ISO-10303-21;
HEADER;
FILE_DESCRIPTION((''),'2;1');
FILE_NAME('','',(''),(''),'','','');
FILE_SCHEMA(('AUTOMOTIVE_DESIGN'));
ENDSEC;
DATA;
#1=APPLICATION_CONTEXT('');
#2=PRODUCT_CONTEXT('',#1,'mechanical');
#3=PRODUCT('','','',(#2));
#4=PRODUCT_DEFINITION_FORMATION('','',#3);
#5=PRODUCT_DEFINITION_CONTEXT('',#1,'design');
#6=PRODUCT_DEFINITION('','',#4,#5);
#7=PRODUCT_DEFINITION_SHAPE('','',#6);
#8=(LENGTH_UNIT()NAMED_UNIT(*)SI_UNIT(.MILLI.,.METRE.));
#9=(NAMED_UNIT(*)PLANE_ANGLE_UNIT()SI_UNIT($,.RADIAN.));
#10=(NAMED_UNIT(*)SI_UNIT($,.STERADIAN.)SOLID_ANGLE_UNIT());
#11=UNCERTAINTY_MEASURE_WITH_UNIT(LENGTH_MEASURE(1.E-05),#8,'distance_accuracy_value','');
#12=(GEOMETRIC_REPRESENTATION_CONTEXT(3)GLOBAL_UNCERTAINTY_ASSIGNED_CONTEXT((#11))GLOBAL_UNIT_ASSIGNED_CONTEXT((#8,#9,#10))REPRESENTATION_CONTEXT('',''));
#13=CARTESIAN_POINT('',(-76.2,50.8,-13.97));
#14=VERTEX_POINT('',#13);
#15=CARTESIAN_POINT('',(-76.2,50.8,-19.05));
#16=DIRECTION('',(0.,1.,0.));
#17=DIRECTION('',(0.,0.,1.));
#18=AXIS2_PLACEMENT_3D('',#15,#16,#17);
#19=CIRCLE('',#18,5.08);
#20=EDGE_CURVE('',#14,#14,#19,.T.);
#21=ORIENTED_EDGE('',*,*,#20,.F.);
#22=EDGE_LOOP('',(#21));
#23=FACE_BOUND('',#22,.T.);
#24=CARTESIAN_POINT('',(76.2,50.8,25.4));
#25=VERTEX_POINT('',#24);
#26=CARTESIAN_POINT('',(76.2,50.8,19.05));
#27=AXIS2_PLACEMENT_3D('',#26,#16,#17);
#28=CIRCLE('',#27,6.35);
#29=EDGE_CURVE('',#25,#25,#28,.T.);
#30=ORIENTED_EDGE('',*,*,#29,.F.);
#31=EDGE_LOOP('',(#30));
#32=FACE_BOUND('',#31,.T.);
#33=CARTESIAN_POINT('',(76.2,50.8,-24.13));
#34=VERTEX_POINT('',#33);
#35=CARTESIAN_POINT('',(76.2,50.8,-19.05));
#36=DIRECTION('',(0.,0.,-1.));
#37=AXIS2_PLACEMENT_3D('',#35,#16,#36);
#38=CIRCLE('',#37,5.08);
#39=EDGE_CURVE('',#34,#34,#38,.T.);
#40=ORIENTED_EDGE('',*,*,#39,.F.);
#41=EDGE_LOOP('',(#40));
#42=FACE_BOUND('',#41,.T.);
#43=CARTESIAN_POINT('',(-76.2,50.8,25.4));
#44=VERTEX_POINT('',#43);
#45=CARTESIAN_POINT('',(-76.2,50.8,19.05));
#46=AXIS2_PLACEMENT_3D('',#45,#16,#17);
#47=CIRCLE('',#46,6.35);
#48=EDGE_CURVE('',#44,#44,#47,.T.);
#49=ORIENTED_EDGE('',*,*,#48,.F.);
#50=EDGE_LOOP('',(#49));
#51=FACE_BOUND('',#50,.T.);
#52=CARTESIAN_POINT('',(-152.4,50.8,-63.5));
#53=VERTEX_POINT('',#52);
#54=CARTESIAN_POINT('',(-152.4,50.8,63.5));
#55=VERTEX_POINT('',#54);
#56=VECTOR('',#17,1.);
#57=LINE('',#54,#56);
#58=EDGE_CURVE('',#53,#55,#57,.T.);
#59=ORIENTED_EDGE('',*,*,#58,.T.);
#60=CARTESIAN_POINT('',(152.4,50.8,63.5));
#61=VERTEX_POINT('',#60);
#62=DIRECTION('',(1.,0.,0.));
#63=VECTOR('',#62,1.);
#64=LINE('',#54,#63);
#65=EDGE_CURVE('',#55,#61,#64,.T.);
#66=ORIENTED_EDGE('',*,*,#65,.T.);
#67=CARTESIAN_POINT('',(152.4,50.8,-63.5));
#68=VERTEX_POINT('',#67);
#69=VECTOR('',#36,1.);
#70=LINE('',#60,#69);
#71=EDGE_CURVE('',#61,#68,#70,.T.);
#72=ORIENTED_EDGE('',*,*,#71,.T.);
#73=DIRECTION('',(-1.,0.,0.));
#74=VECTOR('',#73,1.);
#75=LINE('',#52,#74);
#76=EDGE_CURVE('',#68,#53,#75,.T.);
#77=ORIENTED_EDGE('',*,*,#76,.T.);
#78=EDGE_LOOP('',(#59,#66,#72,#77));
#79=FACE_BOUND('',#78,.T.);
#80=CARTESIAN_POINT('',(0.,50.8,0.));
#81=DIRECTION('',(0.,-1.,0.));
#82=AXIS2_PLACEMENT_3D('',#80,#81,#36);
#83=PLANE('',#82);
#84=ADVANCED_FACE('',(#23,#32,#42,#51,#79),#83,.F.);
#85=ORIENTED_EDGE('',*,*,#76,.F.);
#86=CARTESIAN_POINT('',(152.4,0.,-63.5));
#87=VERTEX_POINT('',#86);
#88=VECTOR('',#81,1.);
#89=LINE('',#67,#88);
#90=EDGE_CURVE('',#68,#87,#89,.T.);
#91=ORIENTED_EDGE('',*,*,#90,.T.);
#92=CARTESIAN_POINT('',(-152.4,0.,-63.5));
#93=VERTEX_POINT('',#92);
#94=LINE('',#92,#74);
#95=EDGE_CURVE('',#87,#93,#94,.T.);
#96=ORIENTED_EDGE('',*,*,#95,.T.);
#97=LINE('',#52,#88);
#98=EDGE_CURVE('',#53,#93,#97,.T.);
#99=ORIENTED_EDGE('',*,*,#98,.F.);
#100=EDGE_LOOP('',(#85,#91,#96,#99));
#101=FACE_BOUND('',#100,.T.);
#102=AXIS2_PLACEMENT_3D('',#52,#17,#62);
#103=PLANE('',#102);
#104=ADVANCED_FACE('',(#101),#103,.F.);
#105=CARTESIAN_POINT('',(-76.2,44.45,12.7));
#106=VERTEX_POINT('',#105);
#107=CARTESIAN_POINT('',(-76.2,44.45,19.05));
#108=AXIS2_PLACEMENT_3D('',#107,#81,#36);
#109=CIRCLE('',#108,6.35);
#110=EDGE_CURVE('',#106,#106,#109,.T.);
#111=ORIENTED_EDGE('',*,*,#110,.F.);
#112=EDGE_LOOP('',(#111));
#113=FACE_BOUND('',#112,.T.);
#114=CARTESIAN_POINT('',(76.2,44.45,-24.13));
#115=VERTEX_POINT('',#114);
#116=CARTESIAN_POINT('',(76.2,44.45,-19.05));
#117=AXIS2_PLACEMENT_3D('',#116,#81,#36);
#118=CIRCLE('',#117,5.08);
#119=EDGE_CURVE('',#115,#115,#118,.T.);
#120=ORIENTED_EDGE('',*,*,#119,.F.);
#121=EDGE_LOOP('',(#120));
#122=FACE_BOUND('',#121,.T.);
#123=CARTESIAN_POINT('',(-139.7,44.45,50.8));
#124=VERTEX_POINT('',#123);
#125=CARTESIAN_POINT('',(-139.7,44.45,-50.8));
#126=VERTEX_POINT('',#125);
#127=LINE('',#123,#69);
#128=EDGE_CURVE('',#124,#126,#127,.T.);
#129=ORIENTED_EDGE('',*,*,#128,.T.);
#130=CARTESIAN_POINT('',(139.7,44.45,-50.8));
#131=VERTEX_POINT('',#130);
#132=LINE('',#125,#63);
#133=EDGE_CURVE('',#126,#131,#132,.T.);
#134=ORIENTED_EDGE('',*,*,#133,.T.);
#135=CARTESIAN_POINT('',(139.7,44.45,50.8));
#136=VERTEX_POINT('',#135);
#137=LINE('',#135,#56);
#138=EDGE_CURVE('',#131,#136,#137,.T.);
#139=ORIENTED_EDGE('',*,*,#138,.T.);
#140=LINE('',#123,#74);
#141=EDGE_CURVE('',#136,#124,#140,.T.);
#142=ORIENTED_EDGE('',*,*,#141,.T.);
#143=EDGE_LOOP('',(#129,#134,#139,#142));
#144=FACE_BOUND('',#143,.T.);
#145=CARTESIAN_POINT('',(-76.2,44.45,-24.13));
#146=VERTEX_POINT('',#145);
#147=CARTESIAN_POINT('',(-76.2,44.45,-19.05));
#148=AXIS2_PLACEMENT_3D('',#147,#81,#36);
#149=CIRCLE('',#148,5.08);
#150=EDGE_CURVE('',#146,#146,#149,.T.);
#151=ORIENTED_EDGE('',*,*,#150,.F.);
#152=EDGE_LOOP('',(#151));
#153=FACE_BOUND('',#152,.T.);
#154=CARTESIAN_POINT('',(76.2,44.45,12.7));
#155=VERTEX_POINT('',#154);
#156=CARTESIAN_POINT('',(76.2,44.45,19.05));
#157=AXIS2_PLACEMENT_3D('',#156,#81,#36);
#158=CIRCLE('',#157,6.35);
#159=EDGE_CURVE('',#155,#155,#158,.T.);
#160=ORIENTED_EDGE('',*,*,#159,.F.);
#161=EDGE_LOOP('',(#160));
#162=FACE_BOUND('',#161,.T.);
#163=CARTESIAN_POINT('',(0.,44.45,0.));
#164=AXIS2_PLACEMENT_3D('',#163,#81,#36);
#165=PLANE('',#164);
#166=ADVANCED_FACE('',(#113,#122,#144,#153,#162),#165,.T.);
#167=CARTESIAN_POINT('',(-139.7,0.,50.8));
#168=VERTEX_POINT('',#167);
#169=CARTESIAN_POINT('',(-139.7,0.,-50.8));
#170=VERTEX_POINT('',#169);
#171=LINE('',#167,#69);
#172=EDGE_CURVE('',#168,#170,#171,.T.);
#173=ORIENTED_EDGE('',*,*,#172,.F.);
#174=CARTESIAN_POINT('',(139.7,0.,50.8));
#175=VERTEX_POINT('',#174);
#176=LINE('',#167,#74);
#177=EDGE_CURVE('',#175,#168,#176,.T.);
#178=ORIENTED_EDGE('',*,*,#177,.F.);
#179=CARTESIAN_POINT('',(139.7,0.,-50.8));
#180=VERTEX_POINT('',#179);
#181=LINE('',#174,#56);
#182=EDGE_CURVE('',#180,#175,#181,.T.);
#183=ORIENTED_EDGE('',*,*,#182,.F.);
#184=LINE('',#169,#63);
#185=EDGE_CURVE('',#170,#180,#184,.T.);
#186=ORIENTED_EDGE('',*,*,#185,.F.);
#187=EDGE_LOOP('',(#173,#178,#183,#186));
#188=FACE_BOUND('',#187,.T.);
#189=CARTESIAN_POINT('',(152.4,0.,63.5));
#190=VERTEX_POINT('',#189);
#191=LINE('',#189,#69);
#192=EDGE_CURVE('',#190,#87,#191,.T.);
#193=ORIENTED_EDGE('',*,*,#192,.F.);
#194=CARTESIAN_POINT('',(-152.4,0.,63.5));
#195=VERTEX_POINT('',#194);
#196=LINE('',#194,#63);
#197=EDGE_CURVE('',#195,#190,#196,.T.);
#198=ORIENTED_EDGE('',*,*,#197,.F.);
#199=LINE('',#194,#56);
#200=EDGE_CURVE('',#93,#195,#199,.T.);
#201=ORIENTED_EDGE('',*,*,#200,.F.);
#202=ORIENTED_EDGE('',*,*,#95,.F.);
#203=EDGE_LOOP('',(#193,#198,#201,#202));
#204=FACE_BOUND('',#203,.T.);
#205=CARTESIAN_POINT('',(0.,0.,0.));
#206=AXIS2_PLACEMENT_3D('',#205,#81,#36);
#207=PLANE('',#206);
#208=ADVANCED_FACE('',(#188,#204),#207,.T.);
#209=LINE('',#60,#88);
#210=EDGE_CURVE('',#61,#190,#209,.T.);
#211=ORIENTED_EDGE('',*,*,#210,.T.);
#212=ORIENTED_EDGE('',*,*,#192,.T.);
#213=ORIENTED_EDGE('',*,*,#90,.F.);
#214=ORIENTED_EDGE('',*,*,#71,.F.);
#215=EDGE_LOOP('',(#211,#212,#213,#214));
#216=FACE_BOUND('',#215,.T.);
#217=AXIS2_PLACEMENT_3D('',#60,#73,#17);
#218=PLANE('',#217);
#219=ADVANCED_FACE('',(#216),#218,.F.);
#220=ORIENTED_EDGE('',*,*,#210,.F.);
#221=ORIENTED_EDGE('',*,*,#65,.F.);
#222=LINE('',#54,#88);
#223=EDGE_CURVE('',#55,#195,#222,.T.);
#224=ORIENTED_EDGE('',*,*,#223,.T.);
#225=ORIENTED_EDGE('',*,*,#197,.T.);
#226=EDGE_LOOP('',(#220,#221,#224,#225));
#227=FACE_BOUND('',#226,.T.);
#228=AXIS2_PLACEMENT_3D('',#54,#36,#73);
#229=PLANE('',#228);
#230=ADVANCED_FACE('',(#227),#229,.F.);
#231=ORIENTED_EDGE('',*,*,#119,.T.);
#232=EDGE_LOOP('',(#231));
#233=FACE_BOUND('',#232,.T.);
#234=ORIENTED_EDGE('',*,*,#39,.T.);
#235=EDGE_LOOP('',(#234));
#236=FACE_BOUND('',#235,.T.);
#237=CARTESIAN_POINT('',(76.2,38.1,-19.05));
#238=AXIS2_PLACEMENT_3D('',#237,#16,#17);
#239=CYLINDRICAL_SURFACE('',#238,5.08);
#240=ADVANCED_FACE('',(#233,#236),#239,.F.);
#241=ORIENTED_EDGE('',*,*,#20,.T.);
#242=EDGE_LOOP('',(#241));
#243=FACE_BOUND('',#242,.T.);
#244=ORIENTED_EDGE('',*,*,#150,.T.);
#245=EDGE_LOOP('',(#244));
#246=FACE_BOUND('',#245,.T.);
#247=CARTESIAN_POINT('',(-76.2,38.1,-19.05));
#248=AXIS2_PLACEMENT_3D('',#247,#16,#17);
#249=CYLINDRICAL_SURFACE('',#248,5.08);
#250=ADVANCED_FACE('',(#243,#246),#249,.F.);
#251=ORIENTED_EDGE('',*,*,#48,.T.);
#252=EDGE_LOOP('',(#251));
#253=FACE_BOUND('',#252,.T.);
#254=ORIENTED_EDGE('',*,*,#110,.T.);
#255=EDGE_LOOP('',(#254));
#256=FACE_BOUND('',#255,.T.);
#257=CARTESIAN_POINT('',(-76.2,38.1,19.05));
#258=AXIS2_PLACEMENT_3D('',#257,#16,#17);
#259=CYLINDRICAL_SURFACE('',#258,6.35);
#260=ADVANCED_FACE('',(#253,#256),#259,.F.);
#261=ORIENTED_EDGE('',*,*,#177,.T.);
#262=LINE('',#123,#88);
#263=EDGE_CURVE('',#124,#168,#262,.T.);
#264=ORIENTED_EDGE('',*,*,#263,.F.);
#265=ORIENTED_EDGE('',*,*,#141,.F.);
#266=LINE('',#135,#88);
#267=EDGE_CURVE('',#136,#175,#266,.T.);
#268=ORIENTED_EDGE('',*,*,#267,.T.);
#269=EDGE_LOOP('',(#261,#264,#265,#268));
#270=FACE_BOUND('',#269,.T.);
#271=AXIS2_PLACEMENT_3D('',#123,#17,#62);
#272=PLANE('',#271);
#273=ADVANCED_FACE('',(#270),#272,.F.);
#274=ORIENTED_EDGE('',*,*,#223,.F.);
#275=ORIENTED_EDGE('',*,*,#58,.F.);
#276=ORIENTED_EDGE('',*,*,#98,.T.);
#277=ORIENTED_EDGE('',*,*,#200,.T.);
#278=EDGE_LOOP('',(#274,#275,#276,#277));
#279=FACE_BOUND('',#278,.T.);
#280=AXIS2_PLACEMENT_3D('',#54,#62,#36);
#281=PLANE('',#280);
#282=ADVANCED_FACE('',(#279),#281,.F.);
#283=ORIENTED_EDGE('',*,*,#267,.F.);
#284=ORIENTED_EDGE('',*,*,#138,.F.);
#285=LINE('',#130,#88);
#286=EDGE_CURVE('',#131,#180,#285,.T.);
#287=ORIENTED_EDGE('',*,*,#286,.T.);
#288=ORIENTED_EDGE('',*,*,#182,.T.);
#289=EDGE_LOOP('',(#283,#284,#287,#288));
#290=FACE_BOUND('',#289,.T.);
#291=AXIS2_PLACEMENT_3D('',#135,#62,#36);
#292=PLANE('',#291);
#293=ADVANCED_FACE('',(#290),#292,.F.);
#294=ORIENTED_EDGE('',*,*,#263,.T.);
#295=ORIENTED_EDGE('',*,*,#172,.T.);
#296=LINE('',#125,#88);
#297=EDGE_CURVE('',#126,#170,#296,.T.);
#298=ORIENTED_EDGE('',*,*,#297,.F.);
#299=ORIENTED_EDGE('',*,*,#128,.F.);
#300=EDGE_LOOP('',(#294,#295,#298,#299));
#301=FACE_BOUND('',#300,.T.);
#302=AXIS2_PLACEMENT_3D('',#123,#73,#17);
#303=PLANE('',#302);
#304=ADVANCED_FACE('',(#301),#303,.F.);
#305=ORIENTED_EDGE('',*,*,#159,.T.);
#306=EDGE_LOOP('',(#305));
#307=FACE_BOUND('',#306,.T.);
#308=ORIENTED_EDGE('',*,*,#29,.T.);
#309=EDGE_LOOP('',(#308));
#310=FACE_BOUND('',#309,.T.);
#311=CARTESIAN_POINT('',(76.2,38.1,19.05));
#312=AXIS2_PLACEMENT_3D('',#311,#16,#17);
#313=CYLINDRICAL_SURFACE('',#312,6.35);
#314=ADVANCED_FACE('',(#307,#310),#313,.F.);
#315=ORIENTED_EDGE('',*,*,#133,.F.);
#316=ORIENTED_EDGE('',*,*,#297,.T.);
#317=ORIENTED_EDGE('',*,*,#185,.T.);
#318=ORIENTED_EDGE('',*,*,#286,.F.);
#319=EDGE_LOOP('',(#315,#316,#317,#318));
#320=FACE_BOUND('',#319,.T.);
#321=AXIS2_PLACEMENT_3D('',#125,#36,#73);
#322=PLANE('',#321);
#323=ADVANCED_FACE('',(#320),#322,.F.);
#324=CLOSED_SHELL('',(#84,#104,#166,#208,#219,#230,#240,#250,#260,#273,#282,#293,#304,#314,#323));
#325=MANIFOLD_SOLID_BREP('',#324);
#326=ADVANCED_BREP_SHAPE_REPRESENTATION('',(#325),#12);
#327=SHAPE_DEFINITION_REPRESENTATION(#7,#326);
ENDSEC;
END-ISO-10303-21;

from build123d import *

# Parameters (mm, degrees)
SKETCH1_W           = 304.8
SKETCH1_H           = 127
BOSS_EXTRUDE1_DEPTH = 50.8
SKETCH2_W           = 279.4
SKETCH2_H           = 101.6
CUT_EXTRUDE1_DEPTH  = 44.45
SKETCH3_R           = 5.08
SKETCH3_R_2         = 6.35
CUT_EXTRUDE2_DEPTH  = 12.7


with BuildPart() as part:
    # Sketch1 → Boss-Extrude1 (new body)
    with BuildSketch(Plane(origin=(0, 0, 0), x_dir=(1, 0, 0), z_dir=(0, 1, 0))):
        Rectangle(SKETCH1_W, SKETCH1_H)
    extrude(amount=BOSS_EXTRUDE1_DEPTH)

    # Sketch2 → Cut-Extrude1 (cut)
    with BuildSketch(Plane.XZ):
        Rectangle(SKETCH2_W, SKETCH2_H)
    extrude(amount=-CUT_EXTRUDE1_DEPTH, mode=Mode.SUBTRACT)

    # Sketch3 → Cut-Extrude2 (cut)
    with BuildSketch(Plane(origin=(0, 50.8, 0), x_dir=(1, 0, 0), z_dir=(0, 1, 0))):
        with Locations(Location((-76.2, 19.05, 0), (0, 0, 270))):
            Circle(SKETCH3_R)
        with Locations(Location((76.2, 19.05, 0), (0, 0, 90))):
            Circle(SKETCH3_R)
        with Locations(Location((-76.2, -19.05, 0), (0, 0, 270))):
            Circle(SKETCH3_R_2)
        with Locations(Location((76.2, -19.05, 0), (0, 0, 270))):
            Circle(SKETCH3_R_2)
    extrude(amount=-CUT_EXTRUDE2_DEPTH, mode=Mode.SUBTRACT)


solid = part.part
